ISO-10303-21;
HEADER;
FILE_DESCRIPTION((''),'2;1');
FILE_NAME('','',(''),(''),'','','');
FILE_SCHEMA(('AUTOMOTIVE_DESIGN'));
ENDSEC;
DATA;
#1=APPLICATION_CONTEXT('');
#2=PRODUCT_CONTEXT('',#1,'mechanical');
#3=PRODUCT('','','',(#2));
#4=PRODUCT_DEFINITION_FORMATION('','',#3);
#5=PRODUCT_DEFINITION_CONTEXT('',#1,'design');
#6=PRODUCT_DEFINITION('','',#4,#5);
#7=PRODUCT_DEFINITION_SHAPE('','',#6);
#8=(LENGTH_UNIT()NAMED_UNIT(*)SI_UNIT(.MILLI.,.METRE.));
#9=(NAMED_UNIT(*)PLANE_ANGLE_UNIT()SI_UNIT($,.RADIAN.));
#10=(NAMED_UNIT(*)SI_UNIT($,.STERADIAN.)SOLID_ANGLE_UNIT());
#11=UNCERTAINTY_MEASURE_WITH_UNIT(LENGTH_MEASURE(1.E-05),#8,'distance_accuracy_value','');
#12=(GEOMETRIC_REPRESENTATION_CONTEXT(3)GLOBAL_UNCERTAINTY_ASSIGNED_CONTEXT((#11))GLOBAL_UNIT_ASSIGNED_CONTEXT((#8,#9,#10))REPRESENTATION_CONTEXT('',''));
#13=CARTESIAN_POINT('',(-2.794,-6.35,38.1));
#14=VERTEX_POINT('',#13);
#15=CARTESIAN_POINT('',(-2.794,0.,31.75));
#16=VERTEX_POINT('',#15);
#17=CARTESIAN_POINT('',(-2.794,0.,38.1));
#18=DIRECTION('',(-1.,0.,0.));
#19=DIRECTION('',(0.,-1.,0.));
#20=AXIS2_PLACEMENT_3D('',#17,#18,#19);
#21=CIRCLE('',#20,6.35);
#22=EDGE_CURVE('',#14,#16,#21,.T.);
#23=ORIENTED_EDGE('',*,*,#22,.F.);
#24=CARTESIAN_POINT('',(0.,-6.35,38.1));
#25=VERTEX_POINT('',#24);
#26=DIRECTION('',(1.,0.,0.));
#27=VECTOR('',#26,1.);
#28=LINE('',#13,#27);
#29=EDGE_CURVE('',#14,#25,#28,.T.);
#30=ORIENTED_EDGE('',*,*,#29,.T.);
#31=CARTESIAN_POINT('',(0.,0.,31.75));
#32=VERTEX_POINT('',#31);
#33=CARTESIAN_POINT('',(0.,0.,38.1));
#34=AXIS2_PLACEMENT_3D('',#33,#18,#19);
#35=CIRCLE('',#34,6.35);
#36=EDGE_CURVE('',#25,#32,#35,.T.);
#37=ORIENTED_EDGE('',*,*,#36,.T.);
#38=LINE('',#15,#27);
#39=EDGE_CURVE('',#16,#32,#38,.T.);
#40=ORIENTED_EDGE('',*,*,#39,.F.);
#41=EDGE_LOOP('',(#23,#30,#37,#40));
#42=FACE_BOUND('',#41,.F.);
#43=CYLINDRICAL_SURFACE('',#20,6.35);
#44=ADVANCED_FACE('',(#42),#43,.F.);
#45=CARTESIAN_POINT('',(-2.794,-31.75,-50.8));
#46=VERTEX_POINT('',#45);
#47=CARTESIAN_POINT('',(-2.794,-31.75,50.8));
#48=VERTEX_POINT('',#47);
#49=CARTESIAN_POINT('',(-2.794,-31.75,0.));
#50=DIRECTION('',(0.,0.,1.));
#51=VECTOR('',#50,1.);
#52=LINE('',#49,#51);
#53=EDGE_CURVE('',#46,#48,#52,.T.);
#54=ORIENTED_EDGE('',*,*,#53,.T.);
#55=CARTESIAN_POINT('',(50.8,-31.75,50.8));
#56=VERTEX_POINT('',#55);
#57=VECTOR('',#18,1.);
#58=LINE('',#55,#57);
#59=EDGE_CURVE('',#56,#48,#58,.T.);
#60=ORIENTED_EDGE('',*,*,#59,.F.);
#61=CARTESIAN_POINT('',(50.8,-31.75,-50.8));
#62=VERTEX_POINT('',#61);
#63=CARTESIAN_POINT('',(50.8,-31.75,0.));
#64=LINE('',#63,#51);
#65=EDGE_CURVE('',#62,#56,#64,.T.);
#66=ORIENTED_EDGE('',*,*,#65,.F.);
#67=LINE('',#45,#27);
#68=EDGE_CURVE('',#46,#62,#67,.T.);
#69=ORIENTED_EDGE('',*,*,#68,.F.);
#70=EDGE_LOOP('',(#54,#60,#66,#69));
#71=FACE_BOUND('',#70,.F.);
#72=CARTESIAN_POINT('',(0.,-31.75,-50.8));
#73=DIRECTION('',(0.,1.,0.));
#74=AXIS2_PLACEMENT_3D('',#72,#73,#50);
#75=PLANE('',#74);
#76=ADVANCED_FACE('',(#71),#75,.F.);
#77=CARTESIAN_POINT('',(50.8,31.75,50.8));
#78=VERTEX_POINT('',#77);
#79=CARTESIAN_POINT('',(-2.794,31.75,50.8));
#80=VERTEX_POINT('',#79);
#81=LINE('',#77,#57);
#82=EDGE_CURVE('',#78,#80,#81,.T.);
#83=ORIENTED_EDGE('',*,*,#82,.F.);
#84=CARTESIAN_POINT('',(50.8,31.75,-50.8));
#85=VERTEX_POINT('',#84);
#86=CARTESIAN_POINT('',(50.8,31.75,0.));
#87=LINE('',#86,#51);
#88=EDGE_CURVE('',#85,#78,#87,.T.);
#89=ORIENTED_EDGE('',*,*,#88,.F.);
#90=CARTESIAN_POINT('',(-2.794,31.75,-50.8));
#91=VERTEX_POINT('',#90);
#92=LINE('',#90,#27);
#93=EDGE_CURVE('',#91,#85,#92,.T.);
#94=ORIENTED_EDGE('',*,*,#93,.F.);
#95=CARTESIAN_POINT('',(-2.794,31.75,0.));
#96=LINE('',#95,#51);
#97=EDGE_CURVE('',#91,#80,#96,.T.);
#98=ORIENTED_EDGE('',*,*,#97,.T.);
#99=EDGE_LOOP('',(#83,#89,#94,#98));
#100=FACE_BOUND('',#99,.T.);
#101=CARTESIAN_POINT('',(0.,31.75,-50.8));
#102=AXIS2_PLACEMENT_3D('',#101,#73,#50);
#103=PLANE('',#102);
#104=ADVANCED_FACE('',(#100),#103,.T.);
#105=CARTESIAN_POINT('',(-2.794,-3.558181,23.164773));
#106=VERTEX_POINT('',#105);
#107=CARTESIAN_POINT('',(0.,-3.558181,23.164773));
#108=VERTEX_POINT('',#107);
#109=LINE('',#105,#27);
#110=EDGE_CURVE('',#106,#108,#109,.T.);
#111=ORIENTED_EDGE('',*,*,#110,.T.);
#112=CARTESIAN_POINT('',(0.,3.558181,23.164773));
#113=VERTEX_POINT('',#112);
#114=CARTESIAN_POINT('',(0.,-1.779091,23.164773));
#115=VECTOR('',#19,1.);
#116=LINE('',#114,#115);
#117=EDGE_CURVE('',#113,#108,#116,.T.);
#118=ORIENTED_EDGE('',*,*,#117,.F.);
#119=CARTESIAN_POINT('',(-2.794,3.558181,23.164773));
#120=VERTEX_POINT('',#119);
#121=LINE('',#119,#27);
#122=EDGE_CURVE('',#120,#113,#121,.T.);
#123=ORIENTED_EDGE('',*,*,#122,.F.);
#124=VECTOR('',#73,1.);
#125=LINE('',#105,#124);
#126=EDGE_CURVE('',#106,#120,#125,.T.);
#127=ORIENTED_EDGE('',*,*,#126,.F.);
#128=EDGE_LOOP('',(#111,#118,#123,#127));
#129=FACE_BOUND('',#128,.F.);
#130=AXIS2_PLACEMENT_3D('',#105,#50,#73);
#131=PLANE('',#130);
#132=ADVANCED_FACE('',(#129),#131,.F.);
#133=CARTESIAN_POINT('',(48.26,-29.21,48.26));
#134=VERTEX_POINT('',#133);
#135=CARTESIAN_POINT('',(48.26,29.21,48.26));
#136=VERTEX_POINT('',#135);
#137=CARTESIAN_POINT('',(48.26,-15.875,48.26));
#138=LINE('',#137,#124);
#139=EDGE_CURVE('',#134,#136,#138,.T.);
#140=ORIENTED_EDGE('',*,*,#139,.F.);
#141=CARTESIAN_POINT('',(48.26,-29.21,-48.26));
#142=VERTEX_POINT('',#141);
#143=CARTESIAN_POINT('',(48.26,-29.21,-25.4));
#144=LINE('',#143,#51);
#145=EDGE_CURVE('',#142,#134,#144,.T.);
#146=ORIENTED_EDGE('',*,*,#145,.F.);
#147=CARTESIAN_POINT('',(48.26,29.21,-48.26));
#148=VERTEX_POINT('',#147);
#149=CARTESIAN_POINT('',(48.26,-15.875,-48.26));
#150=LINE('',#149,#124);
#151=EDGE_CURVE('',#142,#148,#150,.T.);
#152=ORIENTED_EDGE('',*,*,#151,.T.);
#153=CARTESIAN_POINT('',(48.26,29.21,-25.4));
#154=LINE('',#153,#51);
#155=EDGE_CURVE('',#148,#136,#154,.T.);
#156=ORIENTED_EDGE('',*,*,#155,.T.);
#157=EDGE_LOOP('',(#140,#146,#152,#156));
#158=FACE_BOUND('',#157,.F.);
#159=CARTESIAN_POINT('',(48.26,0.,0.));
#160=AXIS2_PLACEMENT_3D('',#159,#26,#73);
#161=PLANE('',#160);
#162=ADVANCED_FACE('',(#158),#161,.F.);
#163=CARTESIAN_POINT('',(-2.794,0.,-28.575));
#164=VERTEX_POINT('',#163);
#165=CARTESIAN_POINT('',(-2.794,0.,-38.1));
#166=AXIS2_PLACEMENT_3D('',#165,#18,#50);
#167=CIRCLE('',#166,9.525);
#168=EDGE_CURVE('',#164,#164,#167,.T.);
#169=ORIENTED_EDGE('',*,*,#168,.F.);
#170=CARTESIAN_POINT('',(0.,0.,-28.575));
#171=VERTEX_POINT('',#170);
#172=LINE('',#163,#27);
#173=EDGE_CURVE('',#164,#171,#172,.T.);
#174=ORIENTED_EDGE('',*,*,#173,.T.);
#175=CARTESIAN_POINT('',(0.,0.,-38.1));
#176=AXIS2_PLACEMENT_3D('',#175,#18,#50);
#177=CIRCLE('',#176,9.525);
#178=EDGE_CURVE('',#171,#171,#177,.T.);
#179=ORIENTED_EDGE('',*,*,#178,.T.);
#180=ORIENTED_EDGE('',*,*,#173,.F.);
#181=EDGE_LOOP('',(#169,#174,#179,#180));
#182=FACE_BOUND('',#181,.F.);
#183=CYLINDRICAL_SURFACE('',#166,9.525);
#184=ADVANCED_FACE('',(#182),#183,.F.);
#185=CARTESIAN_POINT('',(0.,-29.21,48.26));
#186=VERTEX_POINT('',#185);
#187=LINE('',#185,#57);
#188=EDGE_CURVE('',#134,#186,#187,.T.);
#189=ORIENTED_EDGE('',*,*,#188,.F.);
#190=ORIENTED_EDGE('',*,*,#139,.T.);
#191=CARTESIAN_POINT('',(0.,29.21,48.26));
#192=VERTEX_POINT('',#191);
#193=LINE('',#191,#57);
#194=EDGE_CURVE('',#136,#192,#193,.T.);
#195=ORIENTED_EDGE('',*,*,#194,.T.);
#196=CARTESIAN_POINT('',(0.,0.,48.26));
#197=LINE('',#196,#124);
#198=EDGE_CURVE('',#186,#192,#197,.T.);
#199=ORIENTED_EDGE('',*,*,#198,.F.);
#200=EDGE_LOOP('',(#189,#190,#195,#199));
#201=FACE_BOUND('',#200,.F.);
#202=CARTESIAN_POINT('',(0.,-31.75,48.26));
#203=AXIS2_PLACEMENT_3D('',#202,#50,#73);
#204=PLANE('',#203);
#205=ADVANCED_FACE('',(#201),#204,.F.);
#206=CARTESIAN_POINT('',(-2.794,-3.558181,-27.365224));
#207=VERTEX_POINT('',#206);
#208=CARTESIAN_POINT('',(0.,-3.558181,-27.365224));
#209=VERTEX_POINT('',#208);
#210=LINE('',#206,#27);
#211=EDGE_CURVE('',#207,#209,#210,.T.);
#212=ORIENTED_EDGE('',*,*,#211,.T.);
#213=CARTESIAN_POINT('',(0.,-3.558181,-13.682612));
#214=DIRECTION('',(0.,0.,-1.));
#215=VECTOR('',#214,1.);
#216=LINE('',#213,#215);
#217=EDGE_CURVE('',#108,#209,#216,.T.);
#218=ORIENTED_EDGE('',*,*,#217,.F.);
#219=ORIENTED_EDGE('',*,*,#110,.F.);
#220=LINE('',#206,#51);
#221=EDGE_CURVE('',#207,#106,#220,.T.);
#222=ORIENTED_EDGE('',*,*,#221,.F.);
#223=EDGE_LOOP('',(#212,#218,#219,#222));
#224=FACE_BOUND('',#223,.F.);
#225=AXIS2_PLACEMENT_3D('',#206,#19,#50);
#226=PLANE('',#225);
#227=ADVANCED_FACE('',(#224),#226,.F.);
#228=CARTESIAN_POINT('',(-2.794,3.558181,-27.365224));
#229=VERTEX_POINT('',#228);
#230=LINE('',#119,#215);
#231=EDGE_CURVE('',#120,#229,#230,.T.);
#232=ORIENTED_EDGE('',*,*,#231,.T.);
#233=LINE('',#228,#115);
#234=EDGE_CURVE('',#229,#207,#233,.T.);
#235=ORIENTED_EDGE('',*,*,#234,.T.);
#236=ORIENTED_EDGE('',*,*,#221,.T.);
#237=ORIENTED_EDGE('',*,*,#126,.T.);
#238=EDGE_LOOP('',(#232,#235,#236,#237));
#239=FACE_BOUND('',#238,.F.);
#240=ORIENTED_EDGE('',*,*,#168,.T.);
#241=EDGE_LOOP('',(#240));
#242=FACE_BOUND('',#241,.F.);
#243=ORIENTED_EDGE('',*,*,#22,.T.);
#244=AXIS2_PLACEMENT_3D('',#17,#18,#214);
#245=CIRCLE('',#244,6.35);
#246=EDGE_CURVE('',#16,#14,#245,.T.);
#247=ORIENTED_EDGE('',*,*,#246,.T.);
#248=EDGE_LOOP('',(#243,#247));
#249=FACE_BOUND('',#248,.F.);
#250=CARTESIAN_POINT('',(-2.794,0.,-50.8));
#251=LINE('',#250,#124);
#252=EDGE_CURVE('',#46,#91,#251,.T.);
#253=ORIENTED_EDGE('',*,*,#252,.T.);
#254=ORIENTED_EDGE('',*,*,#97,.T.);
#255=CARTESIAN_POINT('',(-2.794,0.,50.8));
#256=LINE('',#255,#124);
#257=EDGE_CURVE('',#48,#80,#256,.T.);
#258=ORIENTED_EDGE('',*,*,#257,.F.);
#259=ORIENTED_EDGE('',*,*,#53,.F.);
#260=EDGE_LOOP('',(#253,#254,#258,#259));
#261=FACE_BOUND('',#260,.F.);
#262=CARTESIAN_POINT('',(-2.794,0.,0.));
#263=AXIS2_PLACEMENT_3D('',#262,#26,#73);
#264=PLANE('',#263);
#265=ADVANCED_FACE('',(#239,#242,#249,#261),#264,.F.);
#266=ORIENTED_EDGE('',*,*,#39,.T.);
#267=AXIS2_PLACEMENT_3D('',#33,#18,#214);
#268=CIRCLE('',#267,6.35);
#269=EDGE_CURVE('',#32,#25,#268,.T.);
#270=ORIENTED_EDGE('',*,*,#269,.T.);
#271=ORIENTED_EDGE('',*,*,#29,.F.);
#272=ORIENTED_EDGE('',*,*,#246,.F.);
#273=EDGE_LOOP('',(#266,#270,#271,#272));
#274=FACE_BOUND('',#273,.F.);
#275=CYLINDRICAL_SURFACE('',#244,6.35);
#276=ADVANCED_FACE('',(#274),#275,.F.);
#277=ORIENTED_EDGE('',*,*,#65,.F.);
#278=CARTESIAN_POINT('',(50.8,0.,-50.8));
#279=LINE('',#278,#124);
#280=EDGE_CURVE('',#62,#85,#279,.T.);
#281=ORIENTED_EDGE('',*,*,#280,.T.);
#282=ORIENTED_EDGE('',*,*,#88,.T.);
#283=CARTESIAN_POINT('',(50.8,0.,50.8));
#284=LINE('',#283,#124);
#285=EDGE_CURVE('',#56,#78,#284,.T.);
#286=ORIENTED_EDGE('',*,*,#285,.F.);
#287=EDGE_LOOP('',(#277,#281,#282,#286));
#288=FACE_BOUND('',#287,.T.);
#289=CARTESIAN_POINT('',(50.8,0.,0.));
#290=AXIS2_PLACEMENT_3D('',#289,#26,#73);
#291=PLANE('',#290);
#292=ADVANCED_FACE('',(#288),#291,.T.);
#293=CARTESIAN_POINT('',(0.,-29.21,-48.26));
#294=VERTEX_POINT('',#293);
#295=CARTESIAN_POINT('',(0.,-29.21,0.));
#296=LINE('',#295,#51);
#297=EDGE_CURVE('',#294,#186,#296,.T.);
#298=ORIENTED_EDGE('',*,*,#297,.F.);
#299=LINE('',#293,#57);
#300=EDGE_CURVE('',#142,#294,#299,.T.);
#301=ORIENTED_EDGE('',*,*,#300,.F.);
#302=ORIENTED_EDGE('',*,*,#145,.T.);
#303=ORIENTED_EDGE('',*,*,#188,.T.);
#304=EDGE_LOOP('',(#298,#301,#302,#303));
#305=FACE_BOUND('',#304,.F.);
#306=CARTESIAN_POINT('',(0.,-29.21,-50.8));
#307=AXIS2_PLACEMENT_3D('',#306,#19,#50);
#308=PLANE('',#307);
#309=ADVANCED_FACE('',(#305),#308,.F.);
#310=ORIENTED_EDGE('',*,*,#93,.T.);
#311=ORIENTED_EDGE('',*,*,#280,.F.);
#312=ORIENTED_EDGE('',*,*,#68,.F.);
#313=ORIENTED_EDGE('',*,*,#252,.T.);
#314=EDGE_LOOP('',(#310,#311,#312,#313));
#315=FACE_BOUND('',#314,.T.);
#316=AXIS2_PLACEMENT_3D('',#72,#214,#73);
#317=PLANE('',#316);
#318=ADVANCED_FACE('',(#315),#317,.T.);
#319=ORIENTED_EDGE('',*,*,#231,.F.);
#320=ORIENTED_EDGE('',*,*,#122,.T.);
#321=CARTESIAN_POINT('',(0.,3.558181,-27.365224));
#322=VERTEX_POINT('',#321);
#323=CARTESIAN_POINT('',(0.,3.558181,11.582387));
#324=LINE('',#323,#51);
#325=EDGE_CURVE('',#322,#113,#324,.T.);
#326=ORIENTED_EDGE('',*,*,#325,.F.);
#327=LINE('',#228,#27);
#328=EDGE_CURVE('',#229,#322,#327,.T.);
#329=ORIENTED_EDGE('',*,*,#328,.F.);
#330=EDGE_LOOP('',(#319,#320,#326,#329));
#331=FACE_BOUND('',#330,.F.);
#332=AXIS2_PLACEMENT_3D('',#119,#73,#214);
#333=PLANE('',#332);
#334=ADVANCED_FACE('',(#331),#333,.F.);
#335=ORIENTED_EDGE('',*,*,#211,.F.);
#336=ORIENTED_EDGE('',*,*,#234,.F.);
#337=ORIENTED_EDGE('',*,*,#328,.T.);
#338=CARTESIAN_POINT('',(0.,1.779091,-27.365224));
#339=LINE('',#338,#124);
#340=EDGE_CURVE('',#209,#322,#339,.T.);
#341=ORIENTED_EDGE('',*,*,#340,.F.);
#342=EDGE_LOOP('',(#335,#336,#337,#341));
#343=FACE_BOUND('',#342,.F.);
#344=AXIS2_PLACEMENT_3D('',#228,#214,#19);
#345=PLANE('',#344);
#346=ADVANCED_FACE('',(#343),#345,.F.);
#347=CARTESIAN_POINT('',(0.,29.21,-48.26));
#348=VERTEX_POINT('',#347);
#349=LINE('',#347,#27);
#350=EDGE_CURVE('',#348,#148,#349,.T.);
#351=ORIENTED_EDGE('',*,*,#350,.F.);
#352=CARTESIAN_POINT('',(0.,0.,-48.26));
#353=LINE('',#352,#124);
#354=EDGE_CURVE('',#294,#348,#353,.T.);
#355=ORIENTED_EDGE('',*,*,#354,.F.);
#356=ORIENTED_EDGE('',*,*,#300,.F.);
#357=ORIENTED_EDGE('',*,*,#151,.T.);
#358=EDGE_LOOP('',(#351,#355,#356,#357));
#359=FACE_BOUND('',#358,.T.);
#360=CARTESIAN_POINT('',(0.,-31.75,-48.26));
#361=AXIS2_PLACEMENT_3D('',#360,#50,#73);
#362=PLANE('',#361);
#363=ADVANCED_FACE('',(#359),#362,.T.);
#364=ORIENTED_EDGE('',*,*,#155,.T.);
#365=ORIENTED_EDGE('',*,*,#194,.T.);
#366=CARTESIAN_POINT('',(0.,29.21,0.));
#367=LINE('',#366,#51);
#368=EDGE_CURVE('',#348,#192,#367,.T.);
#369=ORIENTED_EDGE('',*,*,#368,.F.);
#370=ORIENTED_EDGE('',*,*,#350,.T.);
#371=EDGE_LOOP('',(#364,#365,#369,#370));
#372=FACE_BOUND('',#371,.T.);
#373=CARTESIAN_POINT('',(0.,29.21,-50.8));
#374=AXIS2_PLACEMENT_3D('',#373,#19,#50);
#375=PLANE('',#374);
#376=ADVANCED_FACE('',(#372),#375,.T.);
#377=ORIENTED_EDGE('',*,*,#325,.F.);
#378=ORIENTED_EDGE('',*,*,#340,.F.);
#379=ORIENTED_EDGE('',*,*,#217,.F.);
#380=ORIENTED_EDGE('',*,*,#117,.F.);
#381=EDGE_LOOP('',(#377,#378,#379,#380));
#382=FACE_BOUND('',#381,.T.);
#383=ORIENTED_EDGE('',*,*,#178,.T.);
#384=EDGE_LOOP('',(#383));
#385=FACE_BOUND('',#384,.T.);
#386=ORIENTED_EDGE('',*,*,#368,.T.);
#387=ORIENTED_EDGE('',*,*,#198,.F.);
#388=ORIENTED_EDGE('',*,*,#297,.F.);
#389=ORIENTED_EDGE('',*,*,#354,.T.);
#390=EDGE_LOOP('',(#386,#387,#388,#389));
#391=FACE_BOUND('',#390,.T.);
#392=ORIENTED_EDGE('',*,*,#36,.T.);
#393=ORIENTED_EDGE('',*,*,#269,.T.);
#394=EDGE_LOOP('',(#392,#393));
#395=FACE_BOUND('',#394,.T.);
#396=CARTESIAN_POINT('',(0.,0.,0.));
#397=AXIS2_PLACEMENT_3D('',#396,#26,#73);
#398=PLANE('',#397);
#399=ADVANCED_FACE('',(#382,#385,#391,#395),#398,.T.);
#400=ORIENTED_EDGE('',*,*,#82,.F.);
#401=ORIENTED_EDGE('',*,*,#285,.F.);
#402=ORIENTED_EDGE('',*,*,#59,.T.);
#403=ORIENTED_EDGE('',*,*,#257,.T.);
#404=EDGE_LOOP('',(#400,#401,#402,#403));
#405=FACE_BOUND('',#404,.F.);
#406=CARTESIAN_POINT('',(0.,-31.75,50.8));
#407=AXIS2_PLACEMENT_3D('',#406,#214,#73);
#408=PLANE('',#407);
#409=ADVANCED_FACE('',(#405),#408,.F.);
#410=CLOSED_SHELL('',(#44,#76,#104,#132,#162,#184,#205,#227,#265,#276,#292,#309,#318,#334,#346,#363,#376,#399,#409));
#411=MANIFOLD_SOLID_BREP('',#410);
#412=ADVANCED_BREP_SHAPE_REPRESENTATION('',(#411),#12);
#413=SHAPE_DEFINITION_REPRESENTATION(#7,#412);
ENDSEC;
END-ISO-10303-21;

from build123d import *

# Parameters (mm, degrees)
F0_W     = 63.5
F0_H     = 101.6
F1_DEPTH = 50.8
F2_T     = -2.54
F3_W     = 63.5
F3_H     = 101.6
F4_DEPTH = 2.794
F7_DEPTH = 25.4
F8_DEPTH = 25.4


with BuildPart() as f1:
    # F0 (on Right) → F1 (new body)
    with BuildSketch(Plane.YZ):
        Rectangle(F0_W, F0_H)
    extrude(amount=F1_DEPTH)

    # F2
    f2_openings = [f1.faces().sort_by_distance(p)[0] for p in [
        (0, 0, 0),
    ]]
    offset(amount=F2_T, openings=f2_openings)

    # F3 (on Right) → F4 (join)
    with BuildSketch(Plane.YZ):
        Rectangle(F3_W, F3_H)
    extrude(amount=-F4_DEPTH)

    # F5 (on face) → F7 (cut)
    with BuildSketch(Plane(origin=(-2.794, 0, 0), x_dir=(0, -1, 0), z_dir=(-1, 0, 0))):
        with BuildLine():
            ThreePointArc((6.35, 38.1), (-4.4901280605, 42.5901280605), (0, 31.75))
            ThreePointArc((0, 31.75), (4.4901280605, 33.6098719395), (6.35, 38.1))
        make_face()
        with BuildLine():
            ThreePointArc((9.525, -38.1), (6.7351920908, -31.3648079092), (0, -28.575))
            ThreePointArc((0, -28.575), (-6.7351920908, -44.8351920908), (9.525, -38.1))
        make_face()
    extrude(amount=-F7_DEPTH, mode=Mode.SUBTRACT)

    # F6 (on face) → F8 (cut)
    with BuildSketch(Plane(origin=(-2.794, 0, 0), x_dir=(0, -1, 0), z_dir=(-1, 0, 0))):
        Polygon((0, 23.1647733599), (-3.5581812263, 23.1647733599), (-3.5581812263, -27.3652244359), (0, -27.3652244359), (0, 0), align=None)
        Polygon((3.5581812263, 23.1647733599), (0, 23.1647733599), (0, 0), (0, -27.3652244359), (3.5581812263, -27.3652244359), align=None)
    extrude(amount=-F8_DEPTH, mode=Mode.SUBTRACT)


solid = f1.part
